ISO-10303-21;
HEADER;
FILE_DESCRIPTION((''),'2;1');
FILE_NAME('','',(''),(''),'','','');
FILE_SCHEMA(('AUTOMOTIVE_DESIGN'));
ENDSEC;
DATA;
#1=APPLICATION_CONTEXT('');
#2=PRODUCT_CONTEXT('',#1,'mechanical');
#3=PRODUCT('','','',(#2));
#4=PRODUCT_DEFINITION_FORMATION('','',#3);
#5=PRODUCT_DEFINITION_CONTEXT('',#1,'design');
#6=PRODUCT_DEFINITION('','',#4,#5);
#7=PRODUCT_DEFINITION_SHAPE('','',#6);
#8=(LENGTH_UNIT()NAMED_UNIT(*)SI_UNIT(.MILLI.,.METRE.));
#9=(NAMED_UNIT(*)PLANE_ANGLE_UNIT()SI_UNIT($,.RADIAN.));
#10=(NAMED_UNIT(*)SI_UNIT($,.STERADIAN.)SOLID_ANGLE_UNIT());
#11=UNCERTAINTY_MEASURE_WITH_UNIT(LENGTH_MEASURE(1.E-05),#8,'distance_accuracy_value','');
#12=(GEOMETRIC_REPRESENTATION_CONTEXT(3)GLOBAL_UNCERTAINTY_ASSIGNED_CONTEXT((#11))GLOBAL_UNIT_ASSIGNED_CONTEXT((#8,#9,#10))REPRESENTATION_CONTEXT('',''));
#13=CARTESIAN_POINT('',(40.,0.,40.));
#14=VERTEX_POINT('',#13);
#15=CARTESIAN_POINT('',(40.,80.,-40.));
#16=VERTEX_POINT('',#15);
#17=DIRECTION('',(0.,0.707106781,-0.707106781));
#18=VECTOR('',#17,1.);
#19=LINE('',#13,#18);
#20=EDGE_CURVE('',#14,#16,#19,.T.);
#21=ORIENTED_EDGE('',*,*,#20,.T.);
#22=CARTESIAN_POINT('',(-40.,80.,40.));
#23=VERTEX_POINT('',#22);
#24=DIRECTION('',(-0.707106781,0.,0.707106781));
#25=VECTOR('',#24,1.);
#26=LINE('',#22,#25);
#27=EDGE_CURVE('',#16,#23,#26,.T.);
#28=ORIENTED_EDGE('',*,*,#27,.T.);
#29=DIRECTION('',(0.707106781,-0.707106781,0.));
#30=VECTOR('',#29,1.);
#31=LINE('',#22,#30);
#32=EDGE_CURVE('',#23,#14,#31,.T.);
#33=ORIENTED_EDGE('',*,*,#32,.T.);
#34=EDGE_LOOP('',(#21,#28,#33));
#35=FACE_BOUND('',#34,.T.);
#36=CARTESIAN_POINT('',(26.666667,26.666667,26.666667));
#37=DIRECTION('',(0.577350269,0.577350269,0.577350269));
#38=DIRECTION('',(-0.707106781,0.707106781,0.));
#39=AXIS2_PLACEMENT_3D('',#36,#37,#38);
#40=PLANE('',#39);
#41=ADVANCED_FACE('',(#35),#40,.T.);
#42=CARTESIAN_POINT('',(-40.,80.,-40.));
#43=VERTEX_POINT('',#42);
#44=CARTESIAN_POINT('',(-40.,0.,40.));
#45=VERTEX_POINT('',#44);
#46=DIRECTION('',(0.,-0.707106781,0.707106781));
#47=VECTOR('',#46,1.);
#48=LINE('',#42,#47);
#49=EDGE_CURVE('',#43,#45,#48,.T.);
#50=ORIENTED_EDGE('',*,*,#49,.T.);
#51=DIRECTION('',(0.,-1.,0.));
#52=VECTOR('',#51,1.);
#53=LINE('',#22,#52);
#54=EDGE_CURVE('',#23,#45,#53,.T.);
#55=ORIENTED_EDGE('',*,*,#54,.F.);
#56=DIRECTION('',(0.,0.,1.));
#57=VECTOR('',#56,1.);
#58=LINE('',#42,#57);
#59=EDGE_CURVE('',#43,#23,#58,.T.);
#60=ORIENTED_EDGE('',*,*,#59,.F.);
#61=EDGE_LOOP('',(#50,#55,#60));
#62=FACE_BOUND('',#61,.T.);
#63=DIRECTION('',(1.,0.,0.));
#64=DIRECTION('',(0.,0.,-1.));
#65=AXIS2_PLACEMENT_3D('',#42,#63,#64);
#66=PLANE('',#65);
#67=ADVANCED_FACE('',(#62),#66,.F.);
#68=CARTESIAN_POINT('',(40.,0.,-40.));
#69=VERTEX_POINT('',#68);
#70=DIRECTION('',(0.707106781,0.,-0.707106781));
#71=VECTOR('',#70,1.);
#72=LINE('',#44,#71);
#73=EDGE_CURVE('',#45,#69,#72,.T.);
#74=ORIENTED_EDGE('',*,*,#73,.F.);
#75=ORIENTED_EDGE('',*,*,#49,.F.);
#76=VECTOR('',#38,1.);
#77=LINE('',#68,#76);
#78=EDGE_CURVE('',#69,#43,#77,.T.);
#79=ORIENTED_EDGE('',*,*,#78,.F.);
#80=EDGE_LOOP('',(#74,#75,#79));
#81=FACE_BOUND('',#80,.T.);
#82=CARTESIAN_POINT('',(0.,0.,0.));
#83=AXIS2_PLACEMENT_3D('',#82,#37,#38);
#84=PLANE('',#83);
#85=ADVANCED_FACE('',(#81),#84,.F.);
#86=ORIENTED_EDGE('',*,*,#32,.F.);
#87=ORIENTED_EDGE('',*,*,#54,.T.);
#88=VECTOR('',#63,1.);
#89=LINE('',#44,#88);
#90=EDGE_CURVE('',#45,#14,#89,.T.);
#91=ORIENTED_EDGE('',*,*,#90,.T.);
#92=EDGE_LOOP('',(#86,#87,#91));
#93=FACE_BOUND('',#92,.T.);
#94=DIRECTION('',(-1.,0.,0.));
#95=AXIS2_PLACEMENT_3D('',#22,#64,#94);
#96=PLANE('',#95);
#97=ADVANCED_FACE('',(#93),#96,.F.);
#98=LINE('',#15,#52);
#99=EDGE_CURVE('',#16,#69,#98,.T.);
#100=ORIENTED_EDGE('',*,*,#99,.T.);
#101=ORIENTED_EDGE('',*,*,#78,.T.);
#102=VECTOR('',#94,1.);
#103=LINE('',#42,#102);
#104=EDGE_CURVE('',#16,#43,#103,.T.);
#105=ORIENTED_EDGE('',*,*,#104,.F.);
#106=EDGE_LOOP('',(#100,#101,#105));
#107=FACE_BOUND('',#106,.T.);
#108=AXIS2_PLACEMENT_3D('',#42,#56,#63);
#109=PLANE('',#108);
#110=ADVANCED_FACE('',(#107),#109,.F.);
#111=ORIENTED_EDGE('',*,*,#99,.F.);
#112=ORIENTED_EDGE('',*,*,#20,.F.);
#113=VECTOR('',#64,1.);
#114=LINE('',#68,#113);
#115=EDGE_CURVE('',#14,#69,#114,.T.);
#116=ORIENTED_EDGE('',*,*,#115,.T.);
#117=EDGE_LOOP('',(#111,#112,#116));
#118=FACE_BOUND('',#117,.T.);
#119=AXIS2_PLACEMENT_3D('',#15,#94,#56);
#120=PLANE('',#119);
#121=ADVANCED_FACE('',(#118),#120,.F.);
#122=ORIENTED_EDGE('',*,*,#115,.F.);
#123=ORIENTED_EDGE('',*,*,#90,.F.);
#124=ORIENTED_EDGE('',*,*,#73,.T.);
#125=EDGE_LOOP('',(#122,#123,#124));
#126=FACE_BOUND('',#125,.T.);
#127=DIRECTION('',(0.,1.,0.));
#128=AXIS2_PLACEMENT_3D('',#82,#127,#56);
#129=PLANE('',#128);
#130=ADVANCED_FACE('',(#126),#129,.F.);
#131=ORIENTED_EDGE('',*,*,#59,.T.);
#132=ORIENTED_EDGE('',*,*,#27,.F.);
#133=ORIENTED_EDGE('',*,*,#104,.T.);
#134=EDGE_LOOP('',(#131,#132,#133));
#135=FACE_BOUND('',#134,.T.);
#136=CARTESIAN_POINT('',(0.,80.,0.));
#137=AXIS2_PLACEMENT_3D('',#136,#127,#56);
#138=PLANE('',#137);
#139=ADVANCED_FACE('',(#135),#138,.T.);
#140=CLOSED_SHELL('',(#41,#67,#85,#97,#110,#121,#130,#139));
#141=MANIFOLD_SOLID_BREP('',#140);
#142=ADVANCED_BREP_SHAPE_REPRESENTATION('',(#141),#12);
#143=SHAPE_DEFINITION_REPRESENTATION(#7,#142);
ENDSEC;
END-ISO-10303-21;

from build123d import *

# Parameters (mm, degrees)
SKETCH1_W           = 80
SKETCH1_H           = 80
BOSS_EXTRUDE1_DEPTH = 80
CUT_EXTRUDE1_DEPTH  = 80
CUT_EXTRUDE2_DEPTH  = 80


with BuildPart() as part:
    # Sketch1 → Boss-Extrude1 (new body)
    with BuildSketch(Plane(origin=(0, 0, 0), x_dir=(1, 0, 0), z_dir=(0, 1, 0))):
        Rectangle(SKETCH1_W, SKETCH1_H)
    extrude(amount=BOSS_EXTRUDE1_DEPTH)

    # Sketch5 → Cut-Extrude1 (cut)
    with BuildSketch(Plane(origin=(26.666666667, 26.666666667, 26.666666667), x_dir=(0.8164965809277261, -0.40824829046386296, -0.4082482904638629), z_dir=(0.5773502691896256, 0.5773502691896263, 0.5773502691896254))):
        Polygon((-81.649658093, 28.284271247), (16.329931619, -28.284271247), (16.329931619, 84.852813742), align=None)
    extrude(amount=CUT_EXTRUDE1_DEPTH, mode=Mode.SUBTRACT)

    # Sketch6 → Cut-Extrude2 (cut)
    with BuildSketch(Plane(origin=(0, 0, 0), x_dir=(0.8164965809277261, -0.40824829046386296, -0.4082482904638629), z_dir=(0.5773502691896256, 0.5773502691896263, 0.5773502691896254))):
        Polygon((-48.989794856, -28.284271247), (48.989794856, 28.284271247), (-48.989794856, 84.852813742), align=None)
    extrude(amount=-CUT_EXTRUDE2_DEPTH, mode=Mode.SUBTRACT)


solid = part.part
